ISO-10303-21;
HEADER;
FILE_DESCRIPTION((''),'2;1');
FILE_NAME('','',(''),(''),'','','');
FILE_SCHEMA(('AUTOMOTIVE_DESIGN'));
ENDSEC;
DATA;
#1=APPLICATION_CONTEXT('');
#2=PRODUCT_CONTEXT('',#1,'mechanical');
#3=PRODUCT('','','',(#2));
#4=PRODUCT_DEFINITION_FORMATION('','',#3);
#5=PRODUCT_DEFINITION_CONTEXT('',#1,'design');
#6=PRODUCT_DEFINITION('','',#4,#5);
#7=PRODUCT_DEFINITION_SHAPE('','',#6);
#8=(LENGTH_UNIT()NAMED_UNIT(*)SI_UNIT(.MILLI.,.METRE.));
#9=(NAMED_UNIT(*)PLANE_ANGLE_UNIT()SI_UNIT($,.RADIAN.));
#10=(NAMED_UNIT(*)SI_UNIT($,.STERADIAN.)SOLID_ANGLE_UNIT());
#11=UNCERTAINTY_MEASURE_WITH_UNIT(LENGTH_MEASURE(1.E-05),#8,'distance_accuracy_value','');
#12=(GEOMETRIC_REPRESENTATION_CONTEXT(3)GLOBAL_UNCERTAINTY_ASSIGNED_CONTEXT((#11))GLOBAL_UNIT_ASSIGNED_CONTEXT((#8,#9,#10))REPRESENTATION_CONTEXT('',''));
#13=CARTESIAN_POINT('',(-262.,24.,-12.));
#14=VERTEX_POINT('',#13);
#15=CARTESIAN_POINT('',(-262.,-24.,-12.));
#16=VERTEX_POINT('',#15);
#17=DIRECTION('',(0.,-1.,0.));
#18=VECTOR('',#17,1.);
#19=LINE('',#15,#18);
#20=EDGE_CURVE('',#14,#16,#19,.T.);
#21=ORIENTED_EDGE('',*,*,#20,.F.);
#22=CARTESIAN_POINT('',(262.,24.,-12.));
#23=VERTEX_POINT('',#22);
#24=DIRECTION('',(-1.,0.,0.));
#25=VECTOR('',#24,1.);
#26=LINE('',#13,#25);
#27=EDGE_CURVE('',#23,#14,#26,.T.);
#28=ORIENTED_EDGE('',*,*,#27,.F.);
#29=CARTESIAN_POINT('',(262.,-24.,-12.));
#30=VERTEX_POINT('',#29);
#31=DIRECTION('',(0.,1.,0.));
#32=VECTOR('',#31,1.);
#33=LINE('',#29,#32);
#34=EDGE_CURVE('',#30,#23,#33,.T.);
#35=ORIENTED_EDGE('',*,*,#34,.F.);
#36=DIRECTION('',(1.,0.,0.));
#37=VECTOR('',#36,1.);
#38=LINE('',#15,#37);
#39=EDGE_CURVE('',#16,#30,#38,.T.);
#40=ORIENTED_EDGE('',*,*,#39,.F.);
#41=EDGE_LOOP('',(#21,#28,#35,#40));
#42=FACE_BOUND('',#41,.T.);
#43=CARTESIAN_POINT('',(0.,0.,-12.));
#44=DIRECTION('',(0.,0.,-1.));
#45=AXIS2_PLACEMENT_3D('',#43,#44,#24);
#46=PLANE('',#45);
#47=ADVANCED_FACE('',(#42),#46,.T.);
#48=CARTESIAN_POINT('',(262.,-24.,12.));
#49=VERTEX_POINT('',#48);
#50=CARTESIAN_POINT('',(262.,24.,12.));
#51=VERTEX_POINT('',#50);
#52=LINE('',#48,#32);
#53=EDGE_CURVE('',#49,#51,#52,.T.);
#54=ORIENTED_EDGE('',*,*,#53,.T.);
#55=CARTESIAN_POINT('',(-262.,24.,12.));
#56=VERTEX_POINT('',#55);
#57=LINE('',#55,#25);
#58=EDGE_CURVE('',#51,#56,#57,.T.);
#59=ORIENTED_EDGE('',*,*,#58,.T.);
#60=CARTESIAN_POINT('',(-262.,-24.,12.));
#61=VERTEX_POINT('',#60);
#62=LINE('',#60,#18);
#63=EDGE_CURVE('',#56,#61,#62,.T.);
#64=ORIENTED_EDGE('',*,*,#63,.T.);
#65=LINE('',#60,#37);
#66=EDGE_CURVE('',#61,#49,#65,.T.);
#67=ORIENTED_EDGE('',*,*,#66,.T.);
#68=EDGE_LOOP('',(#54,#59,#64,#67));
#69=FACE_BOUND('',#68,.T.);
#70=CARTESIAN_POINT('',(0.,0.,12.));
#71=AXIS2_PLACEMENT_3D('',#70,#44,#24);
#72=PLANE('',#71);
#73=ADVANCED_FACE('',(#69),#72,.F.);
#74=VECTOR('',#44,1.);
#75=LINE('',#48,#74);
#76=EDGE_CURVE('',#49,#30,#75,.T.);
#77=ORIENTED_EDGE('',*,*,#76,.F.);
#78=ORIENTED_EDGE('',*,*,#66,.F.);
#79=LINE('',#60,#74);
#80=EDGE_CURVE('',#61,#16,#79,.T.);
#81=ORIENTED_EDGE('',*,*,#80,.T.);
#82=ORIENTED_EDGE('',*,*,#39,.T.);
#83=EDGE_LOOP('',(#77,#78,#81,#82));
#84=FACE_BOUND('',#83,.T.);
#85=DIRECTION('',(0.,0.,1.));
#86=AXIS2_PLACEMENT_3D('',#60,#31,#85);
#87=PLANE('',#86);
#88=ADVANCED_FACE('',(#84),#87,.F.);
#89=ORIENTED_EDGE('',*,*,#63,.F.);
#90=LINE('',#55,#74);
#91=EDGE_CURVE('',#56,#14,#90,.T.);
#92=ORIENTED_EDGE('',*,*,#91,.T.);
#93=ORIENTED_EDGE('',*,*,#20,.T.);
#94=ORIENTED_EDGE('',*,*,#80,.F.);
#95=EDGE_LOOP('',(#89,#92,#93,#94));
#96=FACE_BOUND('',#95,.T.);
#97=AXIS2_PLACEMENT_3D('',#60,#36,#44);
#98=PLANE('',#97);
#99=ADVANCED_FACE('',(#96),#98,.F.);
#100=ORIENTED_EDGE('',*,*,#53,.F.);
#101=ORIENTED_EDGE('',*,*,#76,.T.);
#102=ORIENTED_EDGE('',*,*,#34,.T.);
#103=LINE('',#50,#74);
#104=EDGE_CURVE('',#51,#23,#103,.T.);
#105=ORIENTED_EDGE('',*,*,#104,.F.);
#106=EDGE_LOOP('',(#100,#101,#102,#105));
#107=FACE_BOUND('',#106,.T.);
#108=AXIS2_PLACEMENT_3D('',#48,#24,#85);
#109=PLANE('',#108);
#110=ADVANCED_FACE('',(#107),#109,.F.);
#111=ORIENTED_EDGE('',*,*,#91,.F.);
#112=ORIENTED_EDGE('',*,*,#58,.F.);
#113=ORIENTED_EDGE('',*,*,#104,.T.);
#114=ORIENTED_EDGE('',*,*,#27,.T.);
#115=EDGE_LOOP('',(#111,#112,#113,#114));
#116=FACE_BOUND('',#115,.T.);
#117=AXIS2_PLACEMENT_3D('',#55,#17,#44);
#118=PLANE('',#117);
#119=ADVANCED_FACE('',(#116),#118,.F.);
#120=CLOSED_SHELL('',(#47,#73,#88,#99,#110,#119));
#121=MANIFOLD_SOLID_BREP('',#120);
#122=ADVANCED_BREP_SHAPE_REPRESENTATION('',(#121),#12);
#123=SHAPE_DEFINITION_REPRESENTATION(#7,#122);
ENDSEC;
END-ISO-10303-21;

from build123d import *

# Parameters (mm, degrees)
ESQUISSE1_W        = 524
ESQUISSE1_H        = 48
BOSS_EXTRU_1_DEPTH = 12


with BuildPart() as part:
    # Esquisse1 → Boss.-Extru.1 (new, symmetric)
    with BuildSketch(Plane.XY):
        Rectangle(ESQUISSE1_W, ESQUISSE1_H)
    extrude(amount=BOSS_EXTRU_1_DEPTH, both=True)


solid = part.part
